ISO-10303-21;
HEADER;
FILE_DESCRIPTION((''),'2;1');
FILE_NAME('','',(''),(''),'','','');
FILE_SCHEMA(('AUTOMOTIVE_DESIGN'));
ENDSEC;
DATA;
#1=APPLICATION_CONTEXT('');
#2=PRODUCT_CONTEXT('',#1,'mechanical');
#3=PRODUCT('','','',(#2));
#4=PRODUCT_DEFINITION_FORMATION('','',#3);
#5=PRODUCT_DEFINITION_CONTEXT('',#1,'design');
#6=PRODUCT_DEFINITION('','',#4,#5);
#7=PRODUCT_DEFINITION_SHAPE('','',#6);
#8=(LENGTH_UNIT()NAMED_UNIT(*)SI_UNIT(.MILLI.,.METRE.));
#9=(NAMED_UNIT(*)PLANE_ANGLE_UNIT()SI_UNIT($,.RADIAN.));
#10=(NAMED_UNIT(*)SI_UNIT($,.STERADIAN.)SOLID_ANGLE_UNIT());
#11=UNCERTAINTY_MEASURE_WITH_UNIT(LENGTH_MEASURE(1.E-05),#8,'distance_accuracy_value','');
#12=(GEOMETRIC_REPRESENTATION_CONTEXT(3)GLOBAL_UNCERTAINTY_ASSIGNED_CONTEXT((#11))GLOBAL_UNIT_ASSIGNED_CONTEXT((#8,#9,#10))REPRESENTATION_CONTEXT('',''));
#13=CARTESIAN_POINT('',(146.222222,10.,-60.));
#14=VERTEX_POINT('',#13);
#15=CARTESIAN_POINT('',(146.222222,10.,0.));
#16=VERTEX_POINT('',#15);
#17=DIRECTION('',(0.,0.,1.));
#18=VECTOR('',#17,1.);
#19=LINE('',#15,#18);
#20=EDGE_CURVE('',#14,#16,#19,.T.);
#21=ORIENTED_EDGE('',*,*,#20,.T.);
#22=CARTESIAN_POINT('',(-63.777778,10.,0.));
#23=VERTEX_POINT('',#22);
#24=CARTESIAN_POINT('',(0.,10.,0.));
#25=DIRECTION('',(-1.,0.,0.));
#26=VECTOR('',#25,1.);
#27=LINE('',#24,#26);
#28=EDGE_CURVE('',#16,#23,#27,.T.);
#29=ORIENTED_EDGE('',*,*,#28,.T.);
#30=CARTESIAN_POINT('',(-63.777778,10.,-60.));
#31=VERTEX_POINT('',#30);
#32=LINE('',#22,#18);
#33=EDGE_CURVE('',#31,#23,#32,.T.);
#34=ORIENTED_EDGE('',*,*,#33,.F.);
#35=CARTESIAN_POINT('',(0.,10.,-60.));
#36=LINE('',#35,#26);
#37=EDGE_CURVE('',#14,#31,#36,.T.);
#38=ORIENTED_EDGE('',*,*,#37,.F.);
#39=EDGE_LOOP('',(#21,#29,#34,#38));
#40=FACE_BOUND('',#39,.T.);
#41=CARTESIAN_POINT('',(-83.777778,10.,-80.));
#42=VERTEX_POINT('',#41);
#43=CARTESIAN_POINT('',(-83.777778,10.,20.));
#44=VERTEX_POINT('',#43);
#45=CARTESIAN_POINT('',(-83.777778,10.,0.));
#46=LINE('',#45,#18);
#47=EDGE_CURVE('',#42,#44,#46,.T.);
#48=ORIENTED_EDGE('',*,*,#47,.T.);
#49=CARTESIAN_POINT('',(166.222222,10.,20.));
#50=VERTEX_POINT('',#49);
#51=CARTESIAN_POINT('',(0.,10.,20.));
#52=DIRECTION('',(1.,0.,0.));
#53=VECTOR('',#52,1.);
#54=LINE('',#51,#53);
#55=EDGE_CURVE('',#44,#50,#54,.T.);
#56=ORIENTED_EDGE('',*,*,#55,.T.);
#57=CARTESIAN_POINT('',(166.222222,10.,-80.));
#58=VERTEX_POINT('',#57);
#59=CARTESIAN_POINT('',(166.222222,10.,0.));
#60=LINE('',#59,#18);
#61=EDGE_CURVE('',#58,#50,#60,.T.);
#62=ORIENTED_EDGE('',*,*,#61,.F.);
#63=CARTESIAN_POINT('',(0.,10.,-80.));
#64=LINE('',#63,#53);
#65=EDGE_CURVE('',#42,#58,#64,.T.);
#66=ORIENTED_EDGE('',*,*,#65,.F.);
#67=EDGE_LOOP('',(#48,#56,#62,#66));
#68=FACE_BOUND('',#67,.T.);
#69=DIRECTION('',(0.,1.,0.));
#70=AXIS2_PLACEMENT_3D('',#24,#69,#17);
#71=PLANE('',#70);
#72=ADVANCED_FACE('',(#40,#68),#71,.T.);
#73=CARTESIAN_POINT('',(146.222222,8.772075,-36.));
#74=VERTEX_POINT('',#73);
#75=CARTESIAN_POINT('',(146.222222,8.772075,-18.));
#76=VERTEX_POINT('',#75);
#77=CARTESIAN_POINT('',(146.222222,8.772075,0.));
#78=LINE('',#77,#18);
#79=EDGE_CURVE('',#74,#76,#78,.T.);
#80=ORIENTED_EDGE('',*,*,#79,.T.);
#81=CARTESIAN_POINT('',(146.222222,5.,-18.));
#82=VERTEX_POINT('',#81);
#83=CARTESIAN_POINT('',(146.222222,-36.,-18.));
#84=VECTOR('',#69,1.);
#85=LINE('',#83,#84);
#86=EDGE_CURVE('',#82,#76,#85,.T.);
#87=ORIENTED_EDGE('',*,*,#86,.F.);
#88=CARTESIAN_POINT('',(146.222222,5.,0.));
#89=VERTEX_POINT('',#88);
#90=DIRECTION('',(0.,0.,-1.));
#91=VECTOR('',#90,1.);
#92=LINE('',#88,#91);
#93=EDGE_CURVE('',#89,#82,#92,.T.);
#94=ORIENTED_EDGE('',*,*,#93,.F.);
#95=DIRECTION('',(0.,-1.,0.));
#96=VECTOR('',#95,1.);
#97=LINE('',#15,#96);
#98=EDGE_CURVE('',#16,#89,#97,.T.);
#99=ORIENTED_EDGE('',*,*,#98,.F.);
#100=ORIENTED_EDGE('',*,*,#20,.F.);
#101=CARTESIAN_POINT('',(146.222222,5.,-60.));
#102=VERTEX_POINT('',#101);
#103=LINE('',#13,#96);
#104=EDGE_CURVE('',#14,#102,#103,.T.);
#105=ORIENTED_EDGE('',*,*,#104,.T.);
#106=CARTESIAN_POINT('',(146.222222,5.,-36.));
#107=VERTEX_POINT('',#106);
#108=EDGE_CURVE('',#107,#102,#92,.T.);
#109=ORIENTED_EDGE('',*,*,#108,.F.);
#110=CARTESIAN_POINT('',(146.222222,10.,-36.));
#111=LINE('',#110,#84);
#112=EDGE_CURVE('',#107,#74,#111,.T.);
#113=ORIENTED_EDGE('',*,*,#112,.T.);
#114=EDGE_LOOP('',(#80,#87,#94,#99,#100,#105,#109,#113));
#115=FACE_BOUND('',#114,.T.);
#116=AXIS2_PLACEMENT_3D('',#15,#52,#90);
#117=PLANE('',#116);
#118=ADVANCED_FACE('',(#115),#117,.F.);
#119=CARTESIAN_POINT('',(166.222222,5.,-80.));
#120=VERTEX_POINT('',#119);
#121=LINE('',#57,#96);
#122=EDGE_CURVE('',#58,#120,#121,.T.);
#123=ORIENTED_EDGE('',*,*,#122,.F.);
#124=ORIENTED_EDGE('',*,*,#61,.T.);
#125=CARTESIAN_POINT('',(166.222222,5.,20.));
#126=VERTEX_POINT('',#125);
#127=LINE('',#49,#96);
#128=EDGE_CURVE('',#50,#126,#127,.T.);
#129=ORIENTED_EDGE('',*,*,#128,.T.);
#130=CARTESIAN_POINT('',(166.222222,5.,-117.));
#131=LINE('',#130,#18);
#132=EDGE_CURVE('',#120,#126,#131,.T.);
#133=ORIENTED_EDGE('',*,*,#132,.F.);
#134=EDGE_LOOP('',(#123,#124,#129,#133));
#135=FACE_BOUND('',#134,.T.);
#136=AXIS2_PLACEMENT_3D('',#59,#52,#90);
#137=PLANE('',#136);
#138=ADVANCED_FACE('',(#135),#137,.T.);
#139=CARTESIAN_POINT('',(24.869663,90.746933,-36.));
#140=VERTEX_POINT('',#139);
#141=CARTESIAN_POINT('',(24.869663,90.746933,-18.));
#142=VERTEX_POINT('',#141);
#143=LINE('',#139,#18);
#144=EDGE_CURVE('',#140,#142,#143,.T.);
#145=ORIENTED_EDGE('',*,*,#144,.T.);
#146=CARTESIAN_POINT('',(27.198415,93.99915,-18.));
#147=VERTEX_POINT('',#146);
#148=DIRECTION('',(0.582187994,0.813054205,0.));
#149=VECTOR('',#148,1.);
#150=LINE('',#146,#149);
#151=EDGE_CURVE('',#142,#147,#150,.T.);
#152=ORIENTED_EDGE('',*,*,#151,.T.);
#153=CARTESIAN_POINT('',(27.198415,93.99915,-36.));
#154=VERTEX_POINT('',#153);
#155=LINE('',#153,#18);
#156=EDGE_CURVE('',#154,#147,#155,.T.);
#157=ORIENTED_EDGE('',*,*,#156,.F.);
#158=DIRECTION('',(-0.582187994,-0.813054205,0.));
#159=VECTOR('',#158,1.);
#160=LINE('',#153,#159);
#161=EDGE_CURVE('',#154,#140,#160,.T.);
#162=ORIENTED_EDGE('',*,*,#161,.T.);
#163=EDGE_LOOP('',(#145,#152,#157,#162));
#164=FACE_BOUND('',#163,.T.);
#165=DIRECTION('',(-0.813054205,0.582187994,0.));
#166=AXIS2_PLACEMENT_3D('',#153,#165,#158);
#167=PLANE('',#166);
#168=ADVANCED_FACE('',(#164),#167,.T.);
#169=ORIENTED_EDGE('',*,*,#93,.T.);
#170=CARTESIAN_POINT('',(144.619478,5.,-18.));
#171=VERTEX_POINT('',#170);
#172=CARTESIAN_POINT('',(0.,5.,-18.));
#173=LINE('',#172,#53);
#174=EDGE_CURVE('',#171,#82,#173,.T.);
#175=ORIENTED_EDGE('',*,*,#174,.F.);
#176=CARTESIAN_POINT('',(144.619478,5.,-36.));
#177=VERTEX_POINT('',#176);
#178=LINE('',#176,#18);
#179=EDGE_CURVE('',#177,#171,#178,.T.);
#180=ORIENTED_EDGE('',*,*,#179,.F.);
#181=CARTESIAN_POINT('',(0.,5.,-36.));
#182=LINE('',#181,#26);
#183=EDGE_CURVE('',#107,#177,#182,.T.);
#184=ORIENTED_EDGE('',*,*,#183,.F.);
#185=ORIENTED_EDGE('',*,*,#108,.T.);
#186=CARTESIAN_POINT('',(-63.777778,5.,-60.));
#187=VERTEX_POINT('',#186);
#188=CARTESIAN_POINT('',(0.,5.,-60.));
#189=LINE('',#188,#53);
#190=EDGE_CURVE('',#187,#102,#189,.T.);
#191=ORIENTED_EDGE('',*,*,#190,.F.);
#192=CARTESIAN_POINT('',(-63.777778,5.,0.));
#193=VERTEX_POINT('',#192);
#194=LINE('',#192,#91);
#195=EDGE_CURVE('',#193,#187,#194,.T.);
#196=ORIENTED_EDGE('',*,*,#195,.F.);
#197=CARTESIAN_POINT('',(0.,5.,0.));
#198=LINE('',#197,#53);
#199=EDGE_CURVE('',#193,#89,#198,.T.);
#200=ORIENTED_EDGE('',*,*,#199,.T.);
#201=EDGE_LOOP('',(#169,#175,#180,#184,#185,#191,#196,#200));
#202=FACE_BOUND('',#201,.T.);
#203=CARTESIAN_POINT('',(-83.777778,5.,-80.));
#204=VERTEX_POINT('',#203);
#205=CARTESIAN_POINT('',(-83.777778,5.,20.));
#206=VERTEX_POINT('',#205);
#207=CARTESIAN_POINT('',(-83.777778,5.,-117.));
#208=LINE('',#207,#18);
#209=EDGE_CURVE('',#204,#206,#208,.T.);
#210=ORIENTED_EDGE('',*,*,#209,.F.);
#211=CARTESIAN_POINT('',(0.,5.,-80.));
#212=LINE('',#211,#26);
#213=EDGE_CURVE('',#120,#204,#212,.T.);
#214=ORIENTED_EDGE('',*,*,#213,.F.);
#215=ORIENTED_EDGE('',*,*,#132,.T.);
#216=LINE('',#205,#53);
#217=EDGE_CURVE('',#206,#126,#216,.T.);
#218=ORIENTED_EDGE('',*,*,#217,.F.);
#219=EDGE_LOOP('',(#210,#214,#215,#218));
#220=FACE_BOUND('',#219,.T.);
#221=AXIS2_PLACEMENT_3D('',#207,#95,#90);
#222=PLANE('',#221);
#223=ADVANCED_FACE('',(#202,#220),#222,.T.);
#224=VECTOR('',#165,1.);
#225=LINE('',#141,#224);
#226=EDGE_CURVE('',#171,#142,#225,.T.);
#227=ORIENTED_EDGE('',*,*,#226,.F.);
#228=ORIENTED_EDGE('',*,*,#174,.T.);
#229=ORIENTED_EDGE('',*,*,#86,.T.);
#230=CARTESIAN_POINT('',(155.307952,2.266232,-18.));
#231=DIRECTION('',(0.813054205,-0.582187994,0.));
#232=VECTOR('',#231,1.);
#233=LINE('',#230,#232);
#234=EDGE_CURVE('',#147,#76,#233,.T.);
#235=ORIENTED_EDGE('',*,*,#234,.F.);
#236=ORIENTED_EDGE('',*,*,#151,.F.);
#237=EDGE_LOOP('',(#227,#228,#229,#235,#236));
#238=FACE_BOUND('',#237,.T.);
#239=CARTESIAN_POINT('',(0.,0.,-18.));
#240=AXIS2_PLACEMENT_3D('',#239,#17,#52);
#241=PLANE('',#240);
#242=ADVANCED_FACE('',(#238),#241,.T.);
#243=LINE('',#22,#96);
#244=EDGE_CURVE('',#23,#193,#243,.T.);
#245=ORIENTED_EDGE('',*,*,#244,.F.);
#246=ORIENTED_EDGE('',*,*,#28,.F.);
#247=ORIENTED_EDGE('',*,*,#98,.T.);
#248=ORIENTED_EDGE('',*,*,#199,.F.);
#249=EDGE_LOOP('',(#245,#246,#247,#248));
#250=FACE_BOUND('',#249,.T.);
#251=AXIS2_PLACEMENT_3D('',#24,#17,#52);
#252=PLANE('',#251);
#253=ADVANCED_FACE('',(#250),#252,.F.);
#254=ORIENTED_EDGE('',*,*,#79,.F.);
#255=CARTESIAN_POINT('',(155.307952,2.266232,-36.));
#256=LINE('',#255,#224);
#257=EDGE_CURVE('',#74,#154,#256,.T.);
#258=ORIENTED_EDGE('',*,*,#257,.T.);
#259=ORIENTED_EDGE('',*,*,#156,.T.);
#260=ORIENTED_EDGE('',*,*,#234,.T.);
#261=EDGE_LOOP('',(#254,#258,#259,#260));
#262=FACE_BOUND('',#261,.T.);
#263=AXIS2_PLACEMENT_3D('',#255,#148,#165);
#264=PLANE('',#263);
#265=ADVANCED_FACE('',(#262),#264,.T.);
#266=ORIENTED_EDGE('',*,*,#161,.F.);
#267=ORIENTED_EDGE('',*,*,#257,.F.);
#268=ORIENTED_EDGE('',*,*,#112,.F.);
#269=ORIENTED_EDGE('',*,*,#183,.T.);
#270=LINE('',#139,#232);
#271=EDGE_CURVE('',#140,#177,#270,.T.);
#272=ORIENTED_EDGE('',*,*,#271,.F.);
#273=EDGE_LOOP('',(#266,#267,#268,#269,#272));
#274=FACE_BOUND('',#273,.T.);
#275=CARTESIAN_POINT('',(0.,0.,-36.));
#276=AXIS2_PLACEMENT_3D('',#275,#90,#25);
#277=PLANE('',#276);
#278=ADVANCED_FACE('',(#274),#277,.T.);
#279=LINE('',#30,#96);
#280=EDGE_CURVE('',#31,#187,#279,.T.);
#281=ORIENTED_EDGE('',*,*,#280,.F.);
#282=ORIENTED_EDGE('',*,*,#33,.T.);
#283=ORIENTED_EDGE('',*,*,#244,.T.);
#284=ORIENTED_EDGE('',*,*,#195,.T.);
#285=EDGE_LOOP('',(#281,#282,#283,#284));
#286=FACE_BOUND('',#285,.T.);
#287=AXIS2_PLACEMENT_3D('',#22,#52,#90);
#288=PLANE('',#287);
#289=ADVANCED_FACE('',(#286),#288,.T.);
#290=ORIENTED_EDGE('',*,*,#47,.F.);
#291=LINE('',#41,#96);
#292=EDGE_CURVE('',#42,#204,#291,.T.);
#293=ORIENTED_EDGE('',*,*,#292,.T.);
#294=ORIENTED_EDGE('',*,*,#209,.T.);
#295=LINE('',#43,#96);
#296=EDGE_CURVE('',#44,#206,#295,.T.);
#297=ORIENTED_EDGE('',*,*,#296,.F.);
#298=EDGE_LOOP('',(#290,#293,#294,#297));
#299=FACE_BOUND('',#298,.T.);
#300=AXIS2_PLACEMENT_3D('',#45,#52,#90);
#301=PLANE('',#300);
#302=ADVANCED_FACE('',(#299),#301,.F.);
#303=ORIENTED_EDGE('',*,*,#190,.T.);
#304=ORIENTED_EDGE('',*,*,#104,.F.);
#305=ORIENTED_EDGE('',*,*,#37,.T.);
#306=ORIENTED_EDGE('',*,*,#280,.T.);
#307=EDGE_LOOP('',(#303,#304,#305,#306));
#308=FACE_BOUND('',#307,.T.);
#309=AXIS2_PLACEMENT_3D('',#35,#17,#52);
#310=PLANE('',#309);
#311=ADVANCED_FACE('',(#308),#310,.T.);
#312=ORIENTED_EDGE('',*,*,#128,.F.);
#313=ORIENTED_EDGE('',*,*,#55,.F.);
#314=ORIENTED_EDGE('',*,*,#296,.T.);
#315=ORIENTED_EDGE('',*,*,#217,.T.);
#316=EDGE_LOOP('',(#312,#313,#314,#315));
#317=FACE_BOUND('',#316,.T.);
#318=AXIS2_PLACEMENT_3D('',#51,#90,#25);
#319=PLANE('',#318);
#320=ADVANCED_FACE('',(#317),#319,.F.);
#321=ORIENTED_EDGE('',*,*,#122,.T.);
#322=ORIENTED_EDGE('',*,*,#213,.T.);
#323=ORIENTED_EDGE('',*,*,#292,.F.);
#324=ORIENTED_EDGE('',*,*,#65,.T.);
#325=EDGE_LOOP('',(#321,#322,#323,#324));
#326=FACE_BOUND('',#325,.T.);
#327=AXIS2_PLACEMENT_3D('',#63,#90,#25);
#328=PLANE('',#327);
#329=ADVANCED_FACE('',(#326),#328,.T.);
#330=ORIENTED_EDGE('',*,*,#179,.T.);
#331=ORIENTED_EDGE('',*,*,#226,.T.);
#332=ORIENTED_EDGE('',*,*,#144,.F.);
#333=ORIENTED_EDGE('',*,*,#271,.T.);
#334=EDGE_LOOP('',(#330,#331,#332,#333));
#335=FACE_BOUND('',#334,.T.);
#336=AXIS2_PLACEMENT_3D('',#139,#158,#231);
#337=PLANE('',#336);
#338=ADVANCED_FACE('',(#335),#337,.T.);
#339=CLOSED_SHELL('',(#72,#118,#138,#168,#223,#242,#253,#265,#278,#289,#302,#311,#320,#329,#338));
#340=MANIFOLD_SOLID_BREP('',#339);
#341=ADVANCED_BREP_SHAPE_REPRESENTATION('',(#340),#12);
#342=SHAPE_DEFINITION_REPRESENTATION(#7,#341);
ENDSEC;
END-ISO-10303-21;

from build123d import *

# Parameters (mm, degrees)
SKETCH1_W           = 20
SKETCH1_H           = 60
BOSS_EXTRUDE2_DEPTH = 10
BOSS_EXTRUDE3_DEPTH = 36
SKETCH3_W           = 140
SKETCH3_H           = 140
CUT_EXTRUDE1_DEPTH  = 18
SKETCH4_W           = 8.585490735
SKETCH4_H           = 18
CUT_EXTRUDE3_DEPTH  = 46
SKETCH5_W           = 250
SKETCH5_H           = 5
CUT_EXTRUDE4_DEPTH  = 137


with BuildPart() as part:
    # Sketch1 → Boss-Extrude2 (new body)
    with BuildSketch(Plane(origin=(0, 0, 0), x_dir=(1, 0, 0), z_dir=(0, 1, 0))):
        Polygon((166.222222222, 60), (146.222222222, 60), (-63.777777778, 60), (-83.777777778, 60), (-83.777777778, 80), (166.222222222, 80), align=None)
        with Locations((156.222222222, 30)):
            Rectangle(SKETCH1_W, SKETCH1_H)
        Polygon((166.222222222, 0), (146.222222222, 0), (-63.777777778, 0), (-83.777777778, 0), (-83.777777778, -20), (166.222222222, -20), align=None)
        with Locations((-73.777777778, 30)):
            Rectangle(SKETCH1_W, SKETCH1_H)
    extrude(amount=BOSS_EXTRUDE2_DEPTH)

    # Sketch2 → Boss-Extrude3 (add)
    with BuildSketch(Plane.XY):
        Polygon((155.307951765, 2.266232377), (27.198414629, 93.999150061), (24.869662654, 90.746933242), (148.437318839, 2.266232377), align=None)
    extrude(amount=-BOSS_EXTRUDE3_DEPTH)

    # Sketch3 → Cut-Extrude1 (cut)
    with BuildSketch(Plane.XY):
        with Locations((82.194738609, 80)):
            Rectangle(SKETCH3_W, SKETCH3_H)
    extrude(amount=-CUT_EXTRUDE1_DEPTH, mode=Mode.SUBTRACT)

    # Sketch4 → Cut-Extrude3 (cut)
    with BuildSketch(Plane(origin=(0, 10, 0), x_dir=(1, 0, 0), z_dir=(0, 1, 0))):
        with Locations((141.929476855, 9)):
            Rectangle(SKETCH4_W, SKETCH4_H)
    extrude(amount=-CUT_EXTRUDE3_DEPTH, mode=Mode.SUBTRACT)

    # Sketch5 → Cut-Extrude4 (cut)
    with BuildSketch(Plane.XY.offset(20)):
        with Locations((41.222222222, 2.5)):
            Rectangle(SKETCH5_W, SKETCH5_H)
    extrude(amount=-CUT_EXTRUDE4_DEPTH, mode=Mode.SUBTRACT)


solid = part.part
